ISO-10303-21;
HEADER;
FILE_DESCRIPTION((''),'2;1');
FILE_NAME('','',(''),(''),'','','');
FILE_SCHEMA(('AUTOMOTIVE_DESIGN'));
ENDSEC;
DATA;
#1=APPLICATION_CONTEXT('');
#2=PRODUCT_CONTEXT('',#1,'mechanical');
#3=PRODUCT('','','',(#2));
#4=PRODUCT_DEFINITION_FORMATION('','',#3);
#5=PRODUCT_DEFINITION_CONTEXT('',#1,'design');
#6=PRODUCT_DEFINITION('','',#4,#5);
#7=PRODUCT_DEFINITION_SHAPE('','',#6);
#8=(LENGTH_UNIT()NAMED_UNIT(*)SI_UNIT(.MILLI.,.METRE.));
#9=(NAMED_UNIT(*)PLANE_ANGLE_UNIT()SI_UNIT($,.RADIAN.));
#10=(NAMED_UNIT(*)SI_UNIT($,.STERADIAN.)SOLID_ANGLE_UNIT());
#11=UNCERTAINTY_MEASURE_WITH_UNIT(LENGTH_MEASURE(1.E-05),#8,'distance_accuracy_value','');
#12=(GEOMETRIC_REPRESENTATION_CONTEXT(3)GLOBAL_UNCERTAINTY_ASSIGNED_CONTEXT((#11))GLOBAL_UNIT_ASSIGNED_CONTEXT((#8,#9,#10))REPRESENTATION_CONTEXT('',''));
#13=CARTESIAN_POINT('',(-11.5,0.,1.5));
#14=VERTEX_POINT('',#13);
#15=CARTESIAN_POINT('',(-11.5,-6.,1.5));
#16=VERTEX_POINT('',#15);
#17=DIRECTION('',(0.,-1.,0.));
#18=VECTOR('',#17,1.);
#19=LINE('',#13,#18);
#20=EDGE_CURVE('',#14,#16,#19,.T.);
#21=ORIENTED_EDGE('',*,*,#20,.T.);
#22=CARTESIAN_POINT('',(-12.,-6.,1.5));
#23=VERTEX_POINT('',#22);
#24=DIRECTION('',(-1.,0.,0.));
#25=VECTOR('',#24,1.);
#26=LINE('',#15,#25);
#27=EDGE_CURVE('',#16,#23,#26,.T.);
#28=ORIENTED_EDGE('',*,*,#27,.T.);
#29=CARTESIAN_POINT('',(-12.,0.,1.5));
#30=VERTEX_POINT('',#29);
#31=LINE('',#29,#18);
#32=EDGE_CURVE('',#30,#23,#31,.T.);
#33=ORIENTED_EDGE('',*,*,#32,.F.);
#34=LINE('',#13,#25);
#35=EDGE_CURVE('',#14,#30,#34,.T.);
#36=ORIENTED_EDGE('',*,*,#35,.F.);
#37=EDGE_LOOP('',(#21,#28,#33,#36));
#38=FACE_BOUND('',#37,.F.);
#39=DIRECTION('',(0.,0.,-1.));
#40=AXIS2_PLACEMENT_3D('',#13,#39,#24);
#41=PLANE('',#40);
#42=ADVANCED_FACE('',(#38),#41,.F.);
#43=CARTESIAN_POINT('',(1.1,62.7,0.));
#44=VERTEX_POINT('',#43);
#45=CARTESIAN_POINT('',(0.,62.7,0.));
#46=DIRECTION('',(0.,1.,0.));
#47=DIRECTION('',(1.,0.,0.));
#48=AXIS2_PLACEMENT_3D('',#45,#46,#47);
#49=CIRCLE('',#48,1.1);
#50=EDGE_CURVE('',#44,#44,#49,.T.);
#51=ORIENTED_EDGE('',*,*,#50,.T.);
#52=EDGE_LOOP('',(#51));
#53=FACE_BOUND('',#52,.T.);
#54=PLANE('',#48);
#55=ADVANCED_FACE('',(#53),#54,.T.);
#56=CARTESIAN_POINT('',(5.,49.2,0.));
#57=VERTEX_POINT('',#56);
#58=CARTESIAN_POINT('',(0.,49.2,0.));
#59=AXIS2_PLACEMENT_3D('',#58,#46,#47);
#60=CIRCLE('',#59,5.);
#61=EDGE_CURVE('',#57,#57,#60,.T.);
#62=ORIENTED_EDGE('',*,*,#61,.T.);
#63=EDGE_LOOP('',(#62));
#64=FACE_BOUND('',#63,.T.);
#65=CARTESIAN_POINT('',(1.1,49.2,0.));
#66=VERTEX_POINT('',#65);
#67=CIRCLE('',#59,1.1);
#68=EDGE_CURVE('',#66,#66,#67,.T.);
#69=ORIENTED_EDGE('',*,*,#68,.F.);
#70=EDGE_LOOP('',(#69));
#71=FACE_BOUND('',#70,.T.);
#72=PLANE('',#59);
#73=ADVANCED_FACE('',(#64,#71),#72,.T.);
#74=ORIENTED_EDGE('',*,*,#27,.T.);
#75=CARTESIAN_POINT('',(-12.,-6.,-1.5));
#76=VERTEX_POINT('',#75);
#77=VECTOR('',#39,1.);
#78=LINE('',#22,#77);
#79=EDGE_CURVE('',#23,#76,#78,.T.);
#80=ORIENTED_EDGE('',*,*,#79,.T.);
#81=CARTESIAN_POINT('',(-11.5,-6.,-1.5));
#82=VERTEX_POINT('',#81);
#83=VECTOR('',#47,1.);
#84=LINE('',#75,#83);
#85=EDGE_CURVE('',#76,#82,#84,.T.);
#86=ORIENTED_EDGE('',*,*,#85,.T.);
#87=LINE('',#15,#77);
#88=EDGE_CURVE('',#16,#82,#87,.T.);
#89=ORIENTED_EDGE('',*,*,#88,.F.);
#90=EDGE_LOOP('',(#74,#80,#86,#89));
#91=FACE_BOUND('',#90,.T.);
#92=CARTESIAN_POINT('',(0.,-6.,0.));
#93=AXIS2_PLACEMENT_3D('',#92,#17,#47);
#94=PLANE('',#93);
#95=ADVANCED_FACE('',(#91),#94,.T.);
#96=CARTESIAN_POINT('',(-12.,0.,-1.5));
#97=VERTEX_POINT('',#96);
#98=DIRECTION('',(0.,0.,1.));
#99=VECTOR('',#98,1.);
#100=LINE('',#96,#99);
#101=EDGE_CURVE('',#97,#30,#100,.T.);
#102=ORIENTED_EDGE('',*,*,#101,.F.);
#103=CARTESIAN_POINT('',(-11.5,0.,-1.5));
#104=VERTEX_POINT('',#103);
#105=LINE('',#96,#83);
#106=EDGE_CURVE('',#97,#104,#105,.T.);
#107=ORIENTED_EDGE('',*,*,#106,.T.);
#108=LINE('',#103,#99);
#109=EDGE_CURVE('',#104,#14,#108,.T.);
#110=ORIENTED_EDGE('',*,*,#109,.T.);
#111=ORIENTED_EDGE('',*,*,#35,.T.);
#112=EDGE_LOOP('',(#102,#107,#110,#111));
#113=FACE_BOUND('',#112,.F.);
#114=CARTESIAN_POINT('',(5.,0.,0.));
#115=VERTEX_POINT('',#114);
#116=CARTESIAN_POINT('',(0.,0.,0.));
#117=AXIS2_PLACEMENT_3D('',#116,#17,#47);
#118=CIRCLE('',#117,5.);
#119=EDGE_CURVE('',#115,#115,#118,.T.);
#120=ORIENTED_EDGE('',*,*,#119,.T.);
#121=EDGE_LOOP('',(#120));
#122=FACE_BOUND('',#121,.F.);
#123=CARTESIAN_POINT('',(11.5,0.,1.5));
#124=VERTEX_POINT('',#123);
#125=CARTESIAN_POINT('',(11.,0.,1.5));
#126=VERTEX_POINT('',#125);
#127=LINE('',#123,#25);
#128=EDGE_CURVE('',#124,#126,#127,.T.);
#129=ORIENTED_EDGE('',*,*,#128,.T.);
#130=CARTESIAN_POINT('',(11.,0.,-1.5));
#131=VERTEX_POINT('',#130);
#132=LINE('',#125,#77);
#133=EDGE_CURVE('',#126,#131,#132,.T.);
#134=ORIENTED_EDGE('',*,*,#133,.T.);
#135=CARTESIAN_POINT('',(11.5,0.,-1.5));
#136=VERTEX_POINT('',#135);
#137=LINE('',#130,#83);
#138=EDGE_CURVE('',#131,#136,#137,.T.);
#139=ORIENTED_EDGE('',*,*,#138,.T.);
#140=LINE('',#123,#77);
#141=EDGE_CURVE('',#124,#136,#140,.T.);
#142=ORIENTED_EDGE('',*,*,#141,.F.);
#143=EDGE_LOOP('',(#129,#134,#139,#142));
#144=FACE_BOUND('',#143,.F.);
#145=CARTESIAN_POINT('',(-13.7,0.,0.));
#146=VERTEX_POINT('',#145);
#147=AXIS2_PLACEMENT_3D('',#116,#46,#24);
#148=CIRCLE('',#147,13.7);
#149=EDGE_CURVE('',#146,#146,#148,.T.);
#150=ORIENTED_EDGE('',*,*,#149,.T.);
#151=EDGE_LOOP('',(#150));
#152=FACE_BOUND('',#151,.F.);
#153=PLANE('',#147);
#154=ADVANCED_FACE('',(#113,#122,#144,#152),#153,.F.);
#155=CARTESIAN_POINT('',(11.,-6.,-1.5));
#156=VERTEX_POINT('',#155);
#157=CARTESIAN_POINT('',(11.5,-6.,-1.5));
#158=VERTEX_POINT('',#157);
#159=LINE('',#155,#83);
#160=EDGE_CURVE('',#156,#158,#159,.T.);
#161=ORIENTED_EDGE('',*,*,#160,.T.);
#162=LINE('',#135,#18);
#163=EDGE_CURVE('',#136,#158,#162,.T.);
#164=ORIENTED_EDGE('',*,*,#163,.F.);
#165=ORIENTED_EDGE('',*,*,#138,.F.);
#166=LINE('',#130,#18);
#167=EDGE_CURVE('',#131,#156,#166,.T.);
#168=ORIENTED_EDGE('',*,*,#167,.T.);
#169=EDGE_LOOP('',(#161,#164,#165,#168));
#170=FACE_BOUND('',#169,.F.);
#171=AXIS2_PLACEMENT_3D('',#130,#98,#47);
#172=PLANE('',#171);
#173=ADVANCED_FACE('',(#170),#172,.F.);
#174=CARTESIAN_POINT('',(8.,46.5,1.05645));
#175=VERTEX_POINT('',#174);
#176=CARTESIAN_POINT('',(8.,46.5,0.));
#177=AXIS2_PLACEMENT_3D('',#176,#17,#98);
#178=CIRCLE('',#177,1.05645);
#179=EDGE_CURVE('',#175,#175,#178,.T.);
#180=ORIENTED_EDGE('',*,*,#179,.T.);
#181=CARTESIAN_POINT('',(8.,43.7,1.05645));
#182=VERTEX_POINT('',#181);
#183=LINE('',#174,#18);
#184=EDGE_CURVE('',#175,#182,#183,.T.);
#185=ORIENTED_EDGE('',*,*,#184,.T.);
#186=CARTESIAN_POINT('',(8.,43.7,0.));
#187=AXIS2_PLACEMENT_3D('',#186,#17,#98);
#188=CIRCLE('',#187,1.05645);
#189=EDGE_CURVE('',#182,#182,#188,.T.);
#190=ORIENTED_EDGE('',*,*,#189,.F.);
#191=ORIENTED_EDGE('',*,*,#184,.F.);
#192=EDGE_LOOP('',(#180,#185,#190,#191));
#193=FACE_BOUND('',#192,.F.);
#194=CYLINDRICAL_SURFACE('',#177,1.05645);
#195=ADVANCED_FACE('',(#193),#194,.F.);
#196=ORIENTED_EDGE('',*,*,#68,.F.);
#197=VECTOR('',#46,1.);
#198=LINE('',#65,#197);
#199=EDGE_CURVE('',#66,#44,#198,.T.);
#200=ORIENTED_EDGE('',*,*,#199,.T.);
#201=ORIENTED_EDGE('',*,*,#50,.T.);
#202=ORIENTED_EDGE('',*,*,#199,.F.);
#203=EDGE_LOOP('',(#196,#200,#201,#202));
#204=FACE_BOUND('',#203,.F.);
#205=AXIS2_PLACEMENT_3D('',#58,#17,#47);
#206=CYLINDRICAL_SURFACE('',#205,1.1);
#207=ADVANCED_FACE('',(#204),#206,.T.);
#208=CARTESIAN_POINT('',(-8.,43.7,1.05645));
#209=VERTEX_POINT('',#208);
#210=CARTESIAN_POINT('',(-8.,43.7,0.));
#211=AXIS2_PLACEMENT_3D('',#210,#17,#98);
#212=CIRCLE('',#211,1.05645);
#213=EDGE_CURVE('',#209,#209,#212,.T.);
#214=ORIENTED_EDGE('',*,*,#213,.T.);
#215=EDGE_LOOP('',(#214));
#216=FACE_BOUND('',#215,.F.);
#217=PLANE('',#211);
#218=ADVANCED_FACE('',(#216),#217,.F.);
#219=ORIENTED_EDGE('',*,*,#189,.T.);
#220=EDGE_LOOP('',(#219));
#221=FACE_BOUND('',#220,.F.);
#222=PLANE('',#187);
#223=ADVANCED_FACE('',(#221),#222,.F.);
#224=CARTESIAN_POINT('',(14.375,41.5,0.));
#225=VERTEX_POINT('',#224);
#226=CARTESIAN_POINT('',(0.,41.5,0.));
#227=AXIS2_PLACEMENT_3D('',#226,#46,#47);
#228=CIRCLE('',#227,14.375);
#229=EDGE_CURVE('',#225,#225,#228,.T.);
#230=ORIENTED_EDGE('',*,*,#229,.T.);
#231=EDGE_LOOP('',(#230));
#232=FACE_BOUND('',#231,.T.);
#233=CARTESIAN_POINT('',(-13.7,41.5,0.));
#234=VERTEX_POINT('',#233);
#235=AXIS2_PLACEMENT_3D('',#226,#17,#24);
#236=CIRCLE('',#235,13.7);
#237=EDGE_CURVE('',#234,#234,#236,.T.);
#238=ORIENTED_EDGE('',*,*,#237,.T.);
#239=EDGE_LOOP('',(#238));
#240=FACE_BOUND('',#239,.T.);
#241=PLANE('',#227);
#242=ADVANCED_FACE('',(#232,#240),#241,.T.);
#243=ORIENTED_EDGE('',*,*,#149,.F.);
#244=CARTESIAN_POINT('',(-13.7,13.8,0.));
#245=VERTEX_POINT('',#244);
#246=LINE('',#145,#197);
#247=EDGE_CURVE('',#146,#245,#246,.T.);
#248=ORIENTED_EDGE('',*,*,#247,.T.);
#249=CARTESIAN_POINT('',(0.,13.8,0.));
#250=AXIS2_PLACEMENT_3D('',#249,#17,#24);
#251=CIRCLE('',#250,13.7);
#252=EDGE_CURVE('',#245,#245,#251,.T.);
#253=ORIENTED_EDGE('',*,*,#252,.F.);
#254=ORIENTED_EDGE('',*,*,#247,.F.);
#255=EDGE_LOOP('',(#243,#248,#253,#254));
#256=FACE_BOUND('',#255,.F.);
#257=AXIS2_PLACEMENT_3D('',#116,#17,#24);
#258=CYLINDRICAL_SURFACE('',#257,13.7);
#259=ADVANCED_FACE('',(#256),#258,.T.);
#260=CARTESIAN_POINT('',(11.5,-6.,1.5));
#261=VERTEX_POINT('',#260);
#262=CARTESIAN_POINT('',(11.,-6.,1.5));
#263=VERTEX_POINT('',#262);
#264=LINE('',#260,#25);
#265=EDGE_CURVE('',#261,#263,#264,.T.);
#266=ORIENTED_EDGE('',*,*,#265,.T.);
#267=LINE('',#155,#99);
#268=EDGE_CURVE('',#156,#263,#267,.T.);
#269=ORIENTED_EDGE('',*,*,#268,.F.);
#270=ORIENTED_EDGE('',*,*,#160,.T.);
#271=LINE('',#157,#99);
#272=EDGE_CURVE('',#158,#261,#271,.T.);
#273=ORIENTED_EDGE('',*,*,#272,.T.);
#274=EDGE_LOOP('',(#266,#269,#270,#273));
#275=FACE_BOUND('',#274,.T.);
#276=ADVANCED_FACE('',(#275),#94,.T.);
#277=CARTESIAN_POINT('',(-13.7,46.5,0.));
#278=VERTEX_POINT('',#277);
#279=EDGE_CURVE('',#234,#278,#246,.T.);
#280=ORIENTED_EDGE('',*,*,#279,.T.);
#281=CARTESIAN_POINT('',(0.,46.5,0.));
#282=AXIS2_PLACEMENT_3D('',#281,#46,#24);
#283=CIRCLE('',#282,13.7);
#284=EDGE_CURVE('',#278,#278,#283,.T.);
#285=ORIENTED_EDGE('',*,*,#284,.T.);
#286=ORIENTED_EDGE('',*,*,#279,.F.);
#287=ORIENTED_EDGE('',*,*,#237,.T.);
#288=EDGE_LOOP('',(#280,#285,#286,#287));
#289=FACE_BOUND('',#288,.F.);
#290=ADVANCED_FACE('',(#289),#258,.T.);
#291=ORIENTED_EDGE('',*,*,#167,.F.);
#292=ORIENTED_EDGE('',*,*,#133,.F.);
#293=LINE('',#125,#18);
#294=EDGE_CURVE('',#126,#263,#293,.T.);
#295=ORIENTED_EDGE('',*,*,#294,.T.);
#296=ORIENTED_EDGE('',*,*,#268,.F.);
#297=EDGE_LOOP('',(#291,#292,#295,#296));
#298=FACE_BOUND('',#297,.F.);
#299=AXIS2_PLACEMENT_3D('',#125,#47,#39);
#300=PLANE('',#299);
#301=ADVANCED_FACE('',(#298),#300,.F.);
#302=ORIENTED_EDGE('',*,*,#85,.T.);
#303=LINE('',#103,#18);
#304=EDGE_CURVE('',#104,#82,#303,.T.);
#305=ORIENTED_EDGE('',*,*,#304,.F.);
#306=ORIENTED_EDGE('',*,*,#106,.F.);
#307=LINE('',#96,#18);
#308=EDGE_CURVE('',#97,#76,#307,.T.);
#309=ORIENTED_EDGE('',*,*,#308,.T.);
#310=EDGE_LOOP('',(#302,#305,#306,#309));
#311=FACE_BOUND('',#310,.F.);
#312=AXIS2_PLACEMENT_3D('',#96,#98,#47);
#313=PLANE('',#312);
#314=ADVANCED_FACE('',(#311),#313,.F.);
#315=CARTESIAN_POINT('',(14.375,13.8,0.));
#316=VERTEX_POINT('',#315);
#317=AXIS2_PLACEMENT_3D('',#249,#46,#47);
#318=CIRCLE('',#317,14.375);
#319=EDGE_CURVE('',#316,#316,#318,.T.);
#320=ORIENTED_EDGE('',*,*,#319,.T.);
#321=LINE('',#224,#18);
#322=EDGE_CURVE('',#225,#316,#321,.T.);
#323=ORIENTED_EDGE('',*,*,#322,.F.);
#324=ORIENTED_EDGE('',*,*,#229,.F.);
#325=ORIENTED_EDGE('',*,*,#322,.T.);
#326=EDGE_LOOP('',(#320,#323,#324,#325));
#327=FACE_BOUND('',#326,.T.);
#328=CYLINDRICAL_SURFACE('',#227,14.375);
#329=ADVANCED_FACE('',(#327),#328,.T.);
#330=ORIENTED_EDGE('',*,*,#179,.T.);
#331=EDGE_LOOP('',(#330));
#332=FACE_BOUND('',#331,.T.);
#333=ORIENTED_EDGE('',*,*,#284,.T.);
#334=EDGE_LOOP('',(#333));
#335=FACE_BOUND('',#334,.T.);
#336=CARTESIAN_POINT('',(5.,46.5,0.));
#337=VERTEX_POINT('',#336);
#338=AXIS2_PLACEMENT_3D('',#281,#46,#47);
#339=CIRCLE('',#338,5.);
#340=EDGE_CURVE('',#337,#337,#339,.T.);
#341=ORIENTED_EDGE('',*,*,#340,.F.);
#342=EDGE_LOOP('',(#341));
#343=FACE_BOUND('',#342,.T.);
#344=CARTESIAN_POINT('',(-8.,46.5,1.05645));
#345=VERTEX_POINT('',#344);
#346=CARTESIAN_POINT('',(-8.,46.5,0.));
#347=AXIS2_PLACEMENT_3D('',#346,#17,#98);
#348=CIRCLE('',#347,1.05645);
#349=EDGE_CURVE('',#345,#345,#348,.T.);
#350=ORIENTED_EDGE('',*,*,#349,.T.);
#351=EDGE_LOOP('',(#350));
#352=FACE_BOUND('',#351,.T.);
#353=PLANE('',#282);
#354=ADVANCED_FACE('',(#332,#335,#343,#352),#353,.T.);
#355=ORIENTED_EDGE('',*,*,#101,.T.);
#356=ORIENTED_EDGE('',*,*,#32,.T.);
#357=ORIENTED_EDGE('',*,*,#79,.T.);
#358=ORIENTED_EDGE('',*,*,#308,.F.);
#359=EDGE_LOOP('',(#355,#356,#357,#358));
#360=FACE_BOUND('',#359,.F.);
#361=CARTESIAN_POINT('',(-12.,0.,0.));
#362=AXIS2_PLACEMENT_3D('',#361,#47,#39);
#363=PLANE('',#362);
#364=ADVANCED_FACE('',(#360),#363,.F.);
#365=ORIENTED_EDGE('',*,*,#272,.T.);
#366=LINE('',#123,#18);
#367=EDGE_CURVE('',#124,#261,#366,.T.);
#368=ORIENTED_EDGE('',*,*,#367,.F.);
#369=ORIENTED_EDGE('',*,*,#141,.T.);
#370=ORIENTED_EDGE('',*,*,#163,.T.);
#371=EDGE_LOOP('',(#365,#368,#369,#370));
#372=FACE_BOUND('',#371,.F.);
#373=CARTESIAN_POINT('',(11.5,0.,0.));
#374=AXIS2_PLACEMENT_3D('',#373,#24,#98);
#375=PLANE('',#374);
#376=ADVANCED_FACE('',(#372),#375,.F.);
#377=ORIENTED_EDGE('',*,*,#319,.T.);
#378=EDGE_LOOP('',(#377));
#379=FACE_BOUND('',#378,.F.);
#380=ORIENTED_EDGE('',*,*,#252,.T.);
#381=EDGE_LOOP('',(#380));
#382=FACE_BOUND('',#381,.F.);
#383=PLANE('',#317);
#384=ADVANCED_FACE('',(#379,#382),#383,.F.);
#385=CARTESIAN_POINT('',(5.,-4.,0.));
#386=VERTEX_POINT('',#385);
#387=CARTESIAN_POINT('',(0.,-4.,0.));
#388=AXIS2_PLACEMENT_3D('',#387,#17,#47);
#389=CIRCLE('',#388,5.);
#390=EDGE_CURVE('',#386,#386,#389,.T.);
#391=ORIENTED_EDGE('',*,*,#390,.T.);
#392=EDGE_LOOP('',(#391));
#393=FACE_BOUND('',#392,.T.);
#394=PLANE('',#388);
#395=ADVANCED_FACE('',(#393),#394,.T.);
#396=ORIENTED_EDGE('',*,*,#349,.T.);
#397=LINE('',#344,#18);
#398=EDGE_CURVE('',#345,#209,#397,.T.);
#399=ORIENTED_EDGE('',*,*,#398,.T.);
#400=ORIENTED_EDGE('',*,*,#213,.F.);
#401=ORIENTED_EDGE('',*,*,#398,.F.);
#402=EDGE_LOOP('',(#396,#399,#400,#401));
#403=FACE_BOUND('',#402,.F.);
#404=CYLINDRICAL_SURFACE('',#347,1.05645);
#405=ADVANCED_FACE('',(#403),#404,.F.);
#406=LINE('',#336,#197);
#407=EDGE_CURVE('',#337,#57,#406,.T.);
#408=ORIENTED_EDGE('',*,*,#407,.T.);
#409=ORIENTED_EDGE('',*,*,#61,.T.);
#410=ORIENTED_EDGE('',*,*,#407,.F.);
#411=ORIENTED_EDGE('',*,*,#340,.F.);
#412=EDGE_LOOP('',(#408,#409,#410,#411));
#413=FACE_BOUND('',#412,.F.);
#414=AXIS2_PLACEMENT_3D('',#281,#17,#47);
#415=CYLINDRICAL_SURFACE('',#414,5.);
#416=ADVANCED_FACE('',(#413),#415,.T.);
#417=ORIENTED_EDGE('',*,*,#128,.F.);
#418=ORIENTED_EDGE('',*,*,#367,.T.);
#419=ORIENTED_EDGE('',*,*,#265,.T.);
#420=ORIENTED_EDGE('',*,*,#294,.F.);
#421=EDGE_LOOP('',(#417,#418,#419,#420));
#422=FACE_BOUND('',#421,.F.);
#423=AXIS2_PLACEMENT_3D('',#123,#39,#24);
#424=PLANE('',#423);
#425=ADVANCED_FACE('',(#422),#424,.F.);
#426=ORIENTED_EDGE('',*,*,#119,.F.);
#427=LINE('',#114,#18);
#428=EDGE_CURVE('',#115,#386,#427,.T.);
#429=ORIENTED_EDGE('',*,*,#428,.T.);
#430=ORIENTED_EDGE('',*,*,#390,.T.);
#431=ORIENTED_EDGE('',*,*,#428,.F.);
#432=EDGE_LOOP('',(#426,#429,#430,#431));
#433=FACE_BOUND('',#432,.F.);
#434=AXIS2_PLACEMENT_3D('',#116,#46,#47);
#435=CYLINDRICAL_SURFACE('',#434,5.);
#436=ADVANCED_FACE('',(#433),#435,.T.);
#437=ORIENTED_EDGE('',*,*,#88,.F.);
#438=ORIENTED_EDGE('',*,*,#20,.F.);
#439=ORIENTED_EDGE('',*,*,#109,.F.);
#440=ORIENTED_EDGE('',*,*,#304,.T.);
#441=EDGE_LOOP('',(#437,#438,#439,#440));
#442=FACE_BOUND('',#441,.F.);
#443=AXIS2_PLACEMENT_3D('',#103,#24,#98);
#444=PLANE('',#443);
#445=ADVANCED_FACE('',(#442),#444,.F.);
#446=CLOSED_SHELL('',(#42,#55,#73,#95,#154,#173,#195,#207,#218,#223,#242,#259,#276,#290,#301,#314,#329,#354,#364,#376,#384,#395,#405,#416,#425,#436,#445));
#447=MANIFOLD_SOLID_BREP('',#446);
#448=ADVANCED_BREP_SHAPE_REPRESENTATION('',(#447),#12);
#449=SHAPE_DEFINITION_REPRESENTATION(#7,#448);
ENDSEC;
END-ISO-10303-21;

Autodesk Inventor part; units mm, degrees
ref_plane "YZ Plane" through (0, 0, 0) normal (1, 0, 0) x (0, 1, 0)
sketch "Sketch1" plane through (0, 0, 0) normal (0, 1, 0) x (-1, 0, 0)
  circle A0 centre (0, 0) radius 13.7
  dimension "d0" = 27.4
extrude "Extrusion1" add sketch "Sketch1" along normal blind 46.5
sketch "Sketch2" plane through (0, 46.5, 0) normal (0, 1, 0) x (1, 0, 0)
  circle A0 centre (0, 0) radius 13.7 projected
  circle A1 centre (0, 0) radius 5
  dimension "d3" = 10
extrude "Extrusion2" add sketch "Sketch2" along normal blind 2.7 contours A1
sketch "Sketch3" plane through (0, 46.5, 0) normal (0, 1, 0) x (1, 0, 0)
  circle A0 centre (0, 0) radius 5 projected
  circle A1 centre (0, 0) radius 5 projected
  circle A2 centre (0, 0) radius 13.7 projected
  circle A3 centre (0, 0) radius 13.7 projected
  line L0 (-13.7, 0) -> (13.7, 0)
  point P0 (-8, 0)
  point P1 (8, 0)
  dimension "d6" = 16
  dimension "d7" = 5.7
  dimension "d8" = 5.7
hole "Hole1" at (-8, 46.5, 0) at (8, 46.5, 0) direction (0, -1, 0) diameter 2.1129 depth 2.8 thread size "M2.6x0.45" class "6H" standard "ISO Metric profile"
ref_plane "Work Plane1" through (0, 41.5, 0) normal (0, 1, 0) x (1, 0, 0)
sketch "Sketch4" plane through (0, 41.5, 0) normal (0, 1, 0) x (1, 0, 0)
  circle A0 centre (0, 0) radius 14.375
  dimension "d17" = 28.75
extrude "Extrusion3" add sketch "Sketch4" against normal blind 27.7
sketch "Sketch5" plane through (0, 0, 0) normal (0, -1, 0) x (1, 0, 0)
  circle A0 centre (0, 0) radius 5
  dimension "d20" = 10
extrude "Extrusion4" add sketch "Sketch5" along normal blind 4
sketch "Sketch6" plane through (0, 0, 0) normal (0, -1, 0) x (1, 0, 0)
  circle A0 centre (0, 0) radius 5 projected
  circle A1 centre (0, 0) radius 5 projected
  circle A2 centre (0, 0) radius 13.7 projected
  circle A3 centre (0, 0) radius 13.7 projected
  line L0 (13.7, 0) -> (-13.7, 0)
  line L1 (-11.5, 1.5) -> (-12, 1.5)
  line L2 (-12, 1.5) -> (-12, -1.5)
  line L3 (-12, -1.5) -> (-11.5, -1.5)
  line L4 (-11.5, -1.5) -> (-11.5, 1.5)
  line L5 (11.5, 1.5) -> (11, 1.5)
  line L6 (11, 1.5) -> (11, -1.5)
  line L7 (11, -1.5) -> (11.5, -1.5)
  line L8 (11.5, -1.5) -> (11.5, 1.5)
  dimension "d23" = 22.5
  dimension "d24" = 0.5
  dimension "d25" = 0.5
  dimension "d26" = 11.5
  dimension "d27" = 11.5
  dimension "d28" = 3
  dimension "d29" = 3
  dimension "d30" = 1.5
  dimension "d31" = 1.5
extrude "Extrusion5" add sketch "Sketch6" along normal blind 6 contours L6 L5 L8 L0 | L0 L8 L7 L6 | L4 L3 L2 L0 | L0 L2 L1 L4
sketch "Sketch7" plane through (0, 49.2, 0) normal (0, 1, 0) x (1, 0, 0)
  circle A0 centre (0, 0) radius 1.1
  dimension "d34" = 2.2
extrude "Extrusion6" add sketch "Sketch7" along normal blind 13.5
ref_plane "Work Plane2" through (0, 50.2, 0) normal (0, 1, 0) x (1, 0, 0)
equation "\"d7\" = d8"
equation "\"d26\" = d27"
equation "\"d30\" = d31"
equation "\"d41\" = d42"
properties part number "rs390" material "Steel, Mild"
